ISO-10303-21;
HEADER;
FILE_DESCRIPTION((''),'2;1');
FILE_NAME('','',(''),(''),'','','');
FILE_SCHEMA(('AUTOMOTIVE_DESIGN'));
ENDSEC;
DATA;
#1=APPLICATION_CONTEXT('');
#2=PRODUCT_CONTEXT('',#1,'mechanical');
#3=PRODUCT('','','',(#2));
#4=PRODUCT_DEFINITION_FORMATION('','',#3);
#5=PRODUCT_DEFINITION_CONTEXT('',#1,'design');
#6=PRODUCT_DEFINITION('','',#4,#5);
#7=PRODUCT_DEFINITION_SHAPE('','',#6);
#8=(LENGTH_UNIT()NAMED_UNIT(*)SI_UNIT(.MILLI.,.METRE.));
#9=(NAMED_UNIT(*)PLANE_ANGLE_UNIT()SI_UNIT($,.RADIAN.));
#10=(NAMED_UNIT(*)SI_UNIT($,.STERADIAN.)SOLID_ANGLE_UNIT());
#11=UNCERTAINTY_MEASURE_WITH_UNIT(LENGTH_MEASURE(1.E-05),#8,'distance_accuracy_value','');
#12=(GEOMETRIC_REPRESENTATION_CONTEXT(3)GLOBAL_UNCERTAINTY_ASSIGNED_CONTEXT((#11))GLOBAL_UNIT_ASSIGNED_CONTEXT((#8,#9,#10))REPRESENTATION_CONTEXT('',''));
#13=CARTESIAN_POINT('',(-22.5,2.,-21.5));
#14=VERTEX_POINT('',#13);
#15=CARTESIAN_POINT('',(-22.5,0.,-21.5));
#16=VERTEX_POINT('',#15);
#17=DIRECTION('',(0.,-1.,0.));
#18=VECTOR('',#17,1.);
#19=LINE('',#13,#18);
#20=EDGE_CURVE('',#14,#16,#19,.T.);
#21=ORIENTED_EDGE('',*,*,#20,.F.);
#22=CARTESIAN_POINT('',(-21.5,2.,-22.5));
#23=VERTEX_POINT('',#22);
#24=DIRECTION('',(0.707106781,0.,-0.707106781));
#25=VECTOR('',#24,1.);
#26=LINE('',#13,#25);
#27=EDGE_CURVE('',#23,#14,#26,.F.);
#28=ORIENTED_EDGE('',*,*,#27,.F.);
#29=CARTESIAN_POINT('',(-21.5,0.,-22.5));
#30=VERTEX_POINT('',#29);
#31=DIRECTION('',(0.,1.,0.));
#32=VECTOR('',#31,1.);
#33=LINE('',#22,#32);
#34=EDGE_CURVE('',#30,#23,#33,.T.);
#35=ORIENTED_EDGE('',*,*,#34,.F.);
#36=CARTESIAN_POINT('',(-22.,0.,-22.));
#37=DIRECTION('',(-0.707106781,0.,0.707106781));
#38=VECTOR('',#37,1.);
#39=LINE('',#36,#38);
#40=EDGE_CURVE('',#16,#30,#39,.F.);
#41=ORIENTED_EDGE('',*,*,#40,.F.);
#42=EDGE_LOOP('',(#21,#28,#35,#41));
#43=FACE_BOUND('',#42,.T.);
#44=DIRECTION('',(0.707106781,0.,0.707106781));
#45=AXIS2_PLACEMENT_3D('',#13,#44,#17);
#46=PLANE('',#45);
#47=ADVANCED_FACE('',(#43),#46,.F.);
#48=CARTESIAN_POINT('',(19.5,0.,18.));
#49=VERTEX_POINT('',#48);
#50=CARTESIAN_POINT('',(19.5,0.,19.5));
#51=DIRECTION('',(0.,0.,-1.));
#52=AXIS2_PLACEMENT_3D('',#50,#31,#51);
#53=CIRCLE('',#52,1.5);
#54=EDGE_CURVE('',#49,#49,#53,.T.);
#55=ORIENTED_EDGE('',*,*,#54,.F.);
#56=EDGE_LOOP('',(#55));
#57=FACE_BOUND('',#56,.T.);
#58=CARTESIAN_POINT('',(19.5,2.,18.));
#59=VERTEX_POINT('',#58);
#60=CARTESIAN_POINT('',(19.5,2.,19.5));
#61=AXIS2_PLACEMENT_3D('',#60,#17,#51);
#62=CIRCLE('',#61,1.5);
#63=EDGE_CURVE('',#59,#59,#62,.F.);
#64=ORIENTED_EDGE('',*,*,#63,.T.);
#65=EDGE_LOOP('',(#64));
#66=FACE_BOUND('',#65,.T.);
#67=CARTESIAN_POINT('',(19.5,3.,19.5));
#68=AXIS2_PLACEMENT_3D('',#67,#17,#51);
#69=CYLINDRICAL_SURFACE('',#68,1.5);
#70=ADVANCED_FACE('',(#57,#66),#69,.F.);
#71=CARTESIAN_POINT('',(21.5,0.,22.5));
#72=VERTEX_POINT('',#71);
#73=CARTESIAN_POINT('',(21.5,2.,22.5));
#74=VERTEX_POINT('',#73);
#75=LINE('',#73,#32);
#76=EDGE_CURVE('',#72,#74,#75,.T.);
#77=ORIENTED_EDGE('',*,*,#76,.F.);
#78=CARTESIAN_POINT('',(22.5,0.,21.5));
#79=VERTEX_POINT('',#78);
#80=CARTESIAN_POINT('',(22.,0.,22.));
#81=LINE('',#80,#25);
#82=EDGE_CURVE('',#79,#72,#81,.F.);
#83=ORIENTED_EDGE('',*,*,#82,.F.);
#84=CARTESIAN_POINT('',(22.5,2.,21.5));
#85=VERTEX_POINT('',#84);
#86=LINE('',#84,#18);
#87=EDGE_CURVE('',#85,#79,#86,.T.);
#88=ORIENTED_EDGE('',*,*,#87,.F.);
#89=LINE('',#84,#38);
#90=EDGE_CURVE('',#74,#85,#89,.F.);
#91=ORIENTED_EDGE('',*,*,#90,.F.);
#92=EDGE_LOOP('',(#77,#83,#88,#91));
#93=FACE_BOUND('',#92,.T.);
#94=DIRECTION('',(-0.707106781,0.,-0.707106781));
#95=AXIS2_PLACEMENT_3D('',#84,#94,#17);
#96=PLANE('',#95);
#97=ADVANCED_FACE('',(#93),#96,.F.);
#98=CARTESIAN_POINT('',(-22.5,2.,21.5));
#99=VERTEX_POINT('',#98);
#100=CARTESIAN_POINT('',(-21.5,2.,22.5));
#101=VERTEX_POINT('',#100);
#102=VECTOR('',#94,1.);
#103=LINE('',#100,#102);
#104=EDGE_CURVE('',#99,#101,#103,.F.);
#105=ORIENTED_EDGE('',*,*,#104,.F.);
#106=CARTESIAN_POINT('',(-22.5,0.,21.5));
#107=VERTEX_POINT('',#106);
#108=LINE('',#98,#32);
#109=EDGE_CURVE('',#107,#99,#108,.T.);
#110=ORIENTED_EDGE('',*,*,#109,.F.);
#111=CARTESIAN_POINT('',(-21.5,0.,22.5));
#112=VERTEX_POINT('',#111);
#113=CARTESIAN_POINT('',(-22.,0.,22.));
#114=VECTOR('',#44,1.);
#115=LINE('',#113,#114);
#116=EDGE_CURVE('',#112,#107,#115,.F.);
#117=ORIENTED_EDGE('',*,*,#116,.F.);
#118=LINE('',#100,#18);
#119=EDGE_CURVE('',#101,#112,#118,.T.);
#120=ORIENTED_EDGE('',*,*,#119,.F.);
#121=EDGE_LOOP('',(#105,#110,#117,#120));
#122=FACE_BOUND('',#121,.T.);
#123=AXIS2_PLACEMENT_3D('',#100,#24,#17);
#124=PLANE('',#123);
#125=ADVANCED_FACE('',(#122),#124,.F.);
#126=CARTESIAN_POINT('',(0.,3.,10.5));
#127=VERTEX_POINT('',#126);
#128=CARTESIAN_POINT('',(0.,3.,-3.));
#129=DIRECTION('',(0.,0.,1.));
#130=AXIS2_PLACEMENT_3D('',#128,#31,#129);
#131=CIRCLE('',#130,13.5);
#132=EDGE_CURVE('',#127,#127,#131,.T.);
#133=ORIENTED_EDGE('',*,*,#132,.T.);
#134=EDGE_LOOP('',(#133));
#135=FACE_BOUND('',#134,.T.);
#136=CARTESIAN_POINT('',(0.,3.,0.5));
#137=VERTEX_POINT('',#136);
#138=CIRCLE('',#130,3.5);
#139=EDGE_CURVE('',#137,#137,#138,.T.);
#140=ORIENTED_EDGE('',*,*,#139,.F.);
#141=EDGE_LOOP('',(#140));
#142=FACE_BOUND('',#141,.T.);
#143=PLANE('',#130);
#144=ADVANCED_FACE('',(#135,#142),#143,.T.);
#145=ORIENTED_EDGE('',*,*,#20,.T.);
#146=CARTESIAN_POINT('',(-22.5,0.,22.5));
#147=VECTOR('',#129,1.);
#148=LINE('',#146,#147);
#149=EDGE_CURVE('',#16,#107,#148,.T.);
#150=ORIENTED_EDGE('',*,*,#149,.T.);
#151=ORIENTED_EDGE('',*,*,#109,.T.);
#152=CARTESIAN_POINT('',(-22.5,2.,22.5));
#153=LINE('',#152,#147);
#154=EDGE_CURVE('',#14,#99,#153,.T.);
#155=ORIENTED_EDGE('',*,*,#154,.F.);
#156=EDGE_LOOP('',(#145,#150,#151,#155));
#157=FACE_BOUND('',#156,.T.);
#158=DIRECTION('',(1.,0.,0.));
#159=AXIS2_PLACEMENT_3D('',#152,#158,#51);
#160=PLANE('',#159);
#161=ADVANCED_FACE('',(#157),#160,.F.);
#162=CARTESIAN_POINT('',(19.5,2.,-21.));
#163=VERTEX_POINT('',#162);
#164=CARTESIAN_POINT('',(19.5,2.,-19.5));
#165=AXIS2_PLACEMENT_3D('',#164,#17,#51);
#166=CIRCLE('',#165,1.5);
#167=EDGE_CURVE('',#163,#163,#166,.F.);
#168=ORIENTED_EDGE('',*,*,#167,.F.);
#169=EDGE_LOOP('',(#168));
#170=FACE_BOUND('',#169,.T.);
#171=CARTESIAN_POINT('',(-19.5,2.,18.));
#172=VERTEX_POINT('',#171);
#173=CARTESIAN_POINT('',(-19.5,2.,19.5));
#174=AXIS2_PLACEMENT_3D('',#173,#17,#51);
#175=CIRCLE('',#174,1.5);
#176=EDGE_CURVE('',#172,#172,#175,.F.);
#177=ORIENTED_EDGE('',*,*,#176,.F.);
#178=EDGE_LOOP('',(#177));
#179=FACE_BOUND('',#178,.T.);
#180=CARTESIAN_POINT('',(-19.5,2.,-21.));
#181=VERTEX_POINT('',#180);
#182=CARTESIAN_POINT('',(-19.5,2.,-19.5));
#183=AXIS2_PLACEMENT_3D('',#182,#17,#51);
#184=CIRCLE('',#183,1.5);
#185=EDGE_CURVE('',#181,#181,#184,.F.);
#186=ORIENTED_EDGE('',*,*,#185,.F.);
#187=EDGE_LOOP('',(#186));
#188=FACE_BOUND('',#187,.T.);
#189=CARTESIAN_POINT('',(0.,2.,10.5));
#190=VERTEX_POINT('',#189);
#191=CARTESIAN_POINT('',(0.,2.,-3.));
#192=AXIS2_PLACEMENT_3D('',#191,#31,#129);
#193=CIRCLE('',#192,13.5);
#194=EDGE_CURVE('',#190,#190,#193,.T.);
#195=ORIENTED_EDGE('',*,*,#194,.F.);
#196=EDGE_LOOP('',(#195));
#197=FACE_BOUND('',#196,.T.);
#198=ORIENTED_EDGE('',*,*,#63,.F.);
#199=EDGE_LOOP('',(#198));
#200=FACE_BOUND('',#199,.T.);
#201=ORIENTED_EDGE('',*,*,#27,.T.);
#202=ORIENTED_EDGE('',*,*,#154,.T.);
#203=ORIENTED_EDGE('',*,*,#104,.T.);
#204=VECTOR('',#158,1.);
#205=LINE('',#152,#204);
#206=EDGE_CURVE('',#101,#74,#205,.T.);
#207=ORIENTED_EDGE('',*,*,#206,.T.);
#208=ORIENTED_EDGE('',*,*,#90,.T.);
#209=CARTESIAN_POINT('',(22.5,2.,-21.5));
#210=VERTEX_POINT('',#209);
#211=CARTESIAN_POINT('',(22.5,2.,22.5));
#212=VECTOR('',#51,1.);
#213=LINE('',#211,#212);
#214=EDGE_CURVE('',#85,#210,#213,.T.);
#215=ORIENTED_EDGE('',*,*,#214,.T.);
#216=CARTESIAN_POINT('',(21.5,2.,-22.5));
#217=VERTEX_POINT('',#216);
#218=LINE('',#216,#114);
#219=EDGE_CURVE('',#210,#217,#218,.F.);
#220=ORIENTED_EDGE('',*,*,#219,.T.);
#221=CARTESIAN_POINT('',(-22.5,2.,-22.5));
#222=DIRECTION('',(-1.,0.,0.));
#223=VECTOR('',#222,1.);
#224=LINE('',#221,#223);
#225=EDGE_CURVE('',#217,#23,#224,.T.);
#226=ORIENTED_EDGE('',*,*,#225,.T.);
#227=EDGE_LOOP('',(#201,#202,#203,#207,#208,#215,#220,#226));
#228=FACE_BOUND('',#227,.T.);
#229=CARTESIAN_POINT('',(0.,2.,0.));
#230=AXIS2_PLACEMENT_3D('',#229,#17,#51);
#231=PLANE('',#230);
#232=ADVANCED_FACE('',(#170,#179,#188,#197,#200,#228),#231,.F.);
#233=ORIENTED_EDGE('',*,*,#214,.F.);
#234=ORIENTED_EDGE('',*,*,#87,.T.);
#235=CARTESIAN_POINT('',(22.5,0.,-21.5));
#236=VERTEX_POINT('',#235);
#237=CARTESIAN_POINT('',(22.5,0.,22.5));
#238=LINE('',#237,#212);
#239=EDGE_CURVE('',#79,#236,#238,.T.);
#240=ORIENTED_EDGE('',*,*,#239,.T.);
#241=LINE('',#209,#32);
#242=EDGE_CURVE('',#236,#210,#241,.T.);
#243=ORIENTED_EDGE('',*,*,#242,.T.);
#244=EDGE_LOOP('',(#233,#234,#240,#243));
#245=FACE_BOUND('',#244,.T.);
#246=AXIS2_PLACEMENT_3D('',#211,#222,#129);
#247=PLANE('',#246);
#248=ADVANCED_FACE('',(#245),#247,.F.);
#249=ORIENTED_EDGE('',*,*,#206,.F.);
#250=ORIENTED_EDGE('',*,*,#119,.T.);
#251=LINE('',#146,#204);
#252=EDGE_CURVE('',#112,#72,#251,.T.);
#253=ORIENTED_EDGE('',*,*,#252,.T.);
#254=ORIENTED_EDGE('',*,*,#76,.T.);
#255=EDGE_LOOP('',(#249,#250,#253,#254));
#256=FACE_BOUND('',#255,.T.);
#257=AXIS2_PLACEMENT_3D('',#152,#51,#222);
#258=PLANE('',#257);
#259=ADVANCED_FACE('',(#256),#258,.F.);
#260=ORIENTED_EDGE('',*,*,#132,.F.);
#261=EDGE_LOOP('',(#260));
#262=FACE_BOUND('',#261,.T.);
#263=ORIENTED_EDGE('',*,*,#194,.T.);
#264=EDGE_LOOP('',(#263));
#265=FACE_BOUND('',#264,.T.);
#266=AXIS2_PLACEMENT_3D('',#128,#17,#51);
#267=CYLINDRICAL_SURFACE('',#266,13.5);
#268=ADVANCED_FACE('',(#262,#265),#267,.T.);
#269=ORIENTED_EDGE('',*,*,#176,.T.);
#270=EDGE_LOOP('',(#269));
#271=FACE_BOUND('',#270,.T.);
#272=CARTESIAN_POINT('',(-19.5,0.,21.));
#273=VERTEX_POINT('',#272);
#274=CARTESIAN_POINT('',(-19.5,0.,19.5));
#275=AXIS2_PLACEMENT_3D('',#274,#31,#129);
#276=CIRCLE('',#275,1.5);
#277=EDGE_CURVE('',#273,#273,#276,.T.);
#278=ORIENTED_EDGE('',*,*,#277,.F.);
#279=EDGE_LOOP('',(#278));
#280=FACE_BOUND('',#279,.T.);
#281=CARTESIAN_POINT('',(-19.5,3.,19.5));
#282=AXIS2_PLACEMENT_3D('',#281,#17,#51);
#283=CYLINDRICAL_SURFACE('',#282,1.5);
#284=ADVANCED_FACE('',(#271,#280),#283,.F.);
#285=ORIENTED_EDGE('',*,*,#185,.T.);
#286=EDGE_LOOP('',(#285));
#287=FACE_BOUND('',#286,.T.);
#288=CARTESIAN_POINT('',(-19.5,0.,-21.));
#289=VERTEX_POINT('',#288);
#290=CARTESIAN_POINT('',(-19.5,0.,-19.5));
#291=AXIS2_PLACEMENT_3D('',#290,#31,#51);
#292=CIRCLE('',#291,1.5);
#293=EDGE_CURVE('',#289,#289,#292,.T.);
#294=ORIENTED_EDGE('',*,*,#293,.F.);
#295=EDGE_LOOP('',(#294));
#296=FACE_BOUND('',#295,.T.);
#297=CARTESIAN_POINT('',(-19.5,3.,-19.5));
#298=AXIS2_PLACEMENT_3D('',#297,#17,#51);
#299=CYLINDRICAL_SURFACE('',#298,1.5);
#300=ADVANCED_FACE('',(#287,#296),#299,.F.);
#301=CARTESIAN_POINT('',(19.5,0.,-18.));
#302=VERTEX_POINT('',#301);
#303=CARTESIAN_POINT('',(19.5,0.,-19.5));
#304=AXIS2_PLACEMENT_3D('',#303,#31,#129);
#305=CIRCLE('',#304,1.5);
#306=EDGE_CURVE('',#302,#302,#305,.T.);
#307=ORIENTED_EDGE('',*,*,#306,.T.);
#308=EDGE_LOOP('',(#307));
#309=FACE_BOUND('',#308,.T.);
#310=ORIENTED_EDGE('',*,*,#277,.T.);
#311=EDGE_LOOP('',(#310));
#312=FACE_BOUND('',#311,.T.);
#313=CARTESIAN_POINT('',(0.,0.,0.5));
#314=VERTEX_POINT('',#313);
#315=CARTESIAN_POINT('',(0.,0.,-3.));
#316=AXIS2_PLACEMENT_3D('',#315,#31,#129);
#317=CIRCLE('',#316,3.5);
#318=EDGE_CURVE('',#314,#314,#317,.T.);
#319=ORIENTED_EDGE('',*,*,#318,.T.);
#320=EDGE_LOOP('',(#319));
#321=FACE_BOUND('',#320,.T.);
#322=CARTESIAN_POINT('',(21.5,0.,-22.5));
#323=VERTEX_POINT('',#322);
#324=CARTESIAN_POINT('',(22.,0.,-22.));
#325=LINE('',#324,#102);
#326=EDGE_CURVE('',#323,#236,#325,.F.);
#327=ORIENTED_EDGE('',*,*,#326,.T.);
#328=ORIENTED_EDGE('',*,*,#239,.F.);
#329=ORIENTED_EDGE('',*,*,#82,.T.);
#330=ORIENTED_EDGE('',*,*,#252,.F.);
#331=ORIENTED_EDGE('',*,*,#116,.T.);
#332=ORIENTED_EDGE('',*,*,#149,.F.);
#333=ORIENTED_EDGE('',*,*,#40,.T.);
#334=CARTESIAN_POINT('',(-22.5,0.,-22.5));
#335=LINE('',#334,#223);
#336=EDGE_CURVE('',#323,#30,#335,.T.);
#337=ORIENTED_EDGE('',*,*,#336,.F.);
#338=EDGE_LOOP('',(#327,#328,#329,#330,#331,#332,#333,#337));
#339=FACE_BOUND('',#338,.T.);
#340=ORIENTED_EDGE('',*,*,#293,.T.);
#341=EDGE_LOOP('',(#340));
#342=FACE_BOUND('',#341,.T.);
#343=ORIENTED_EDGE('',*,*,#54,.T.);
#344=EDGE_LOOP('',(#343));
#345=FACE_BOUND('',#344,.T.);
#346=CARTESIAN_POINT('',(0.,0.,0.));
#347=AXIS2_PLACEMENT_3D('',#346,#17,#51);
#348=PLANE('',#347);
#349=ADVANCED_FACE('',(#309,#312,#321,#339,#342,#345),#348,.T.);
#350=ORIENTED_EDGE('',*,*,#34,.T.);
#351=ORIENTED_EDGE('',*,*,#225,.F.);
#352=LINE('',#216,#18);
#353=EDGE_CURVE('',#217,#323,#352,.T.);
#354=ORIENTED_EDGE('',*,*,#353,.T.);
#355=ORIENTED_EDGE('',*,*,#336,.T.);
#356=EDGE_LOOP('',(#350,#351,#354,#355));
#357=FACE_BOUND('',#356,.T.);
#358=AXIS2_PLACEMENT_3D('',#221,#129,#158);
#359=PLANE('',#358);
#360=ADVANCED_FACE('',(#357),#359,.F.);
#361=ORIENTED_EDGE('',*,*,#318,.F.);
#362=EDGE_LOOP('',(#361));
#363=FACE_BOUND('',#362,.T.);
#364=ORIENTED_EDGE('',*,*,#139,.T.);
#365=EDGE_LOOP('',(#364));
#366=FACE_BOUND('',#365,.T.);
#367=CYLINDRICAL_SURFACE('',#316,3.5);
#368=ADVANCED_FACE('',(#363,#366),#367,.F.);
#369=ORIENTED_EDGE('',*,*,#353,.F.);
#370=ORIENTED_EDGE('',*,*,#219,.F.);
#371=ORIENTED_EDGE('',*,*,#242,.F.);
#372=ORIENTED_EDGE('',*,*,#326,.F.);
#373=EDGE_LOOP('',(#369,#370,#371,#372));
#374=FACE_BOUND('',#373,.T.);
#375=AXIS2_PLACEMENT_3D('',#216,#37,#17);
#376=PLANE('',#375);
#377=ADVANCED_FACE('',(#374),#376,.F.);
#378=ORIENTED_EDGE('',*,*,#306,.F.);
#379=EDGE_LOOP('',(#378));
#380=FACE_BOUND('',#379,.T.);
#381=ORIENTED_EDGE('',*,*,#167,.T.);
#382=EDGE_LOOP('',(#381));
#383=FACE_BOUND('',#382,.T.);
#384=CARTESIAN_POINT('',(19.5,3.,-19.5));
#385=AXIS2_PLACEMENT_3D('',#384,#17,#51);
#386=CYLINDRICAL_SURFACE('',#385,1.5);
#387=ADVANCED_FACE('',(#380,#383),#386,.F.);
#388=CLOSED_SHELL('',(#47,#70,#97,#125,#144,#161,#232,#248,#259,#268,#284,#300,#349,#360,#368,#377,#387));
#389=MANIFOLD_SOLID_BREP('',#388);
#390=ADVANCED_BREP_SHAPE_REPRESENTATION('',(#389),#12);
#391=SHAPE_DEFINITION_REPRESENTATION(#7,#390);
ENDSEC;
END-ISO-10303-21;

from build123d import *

# Parameters (mm, degrees)
SKETCH_1_W          = 45
SKETCH_1_H          = 45
EXTRUDE_1_DEPTH     = 2
SKETCH_2_R          = 3.5
CUT_EXTRUDE_1_DEPTH = 32.882597134
EXTRUDE_START       = 1
SKETCH_3_R          = 13.5
SKETCH_3_R_2        = 3.5
EXTRUDE_2_DEPTH     = 1
SKETCH_4_R          = 1.5
CUT_EXTRUDE_4_DEPTH = 32.960913629
CHAMFER_1_SIZE      = 1


with BuildPart() as part:
    # 草图1 → 凸台-拉伸1 (new body)
    with BuildSketch(Plane(origin=(0, 0, 0), x_dir=(1, 0, 0), z_dir=(0, 1, 0))):
        Rectangle(SKETCH_1_W, SKETCH_1_H)
    extrude(amount=EXTRUDE_1_DEPTH)

    # 草图2 → 切除-拉伸1 (cut, through all)
    with BuildSketch(Plane(origin=(0, 2, 0), x_dir=(1, 0, 0), z_dir=(0, 1, 0))):
        with Locations(Location((0, 3, 0), (0, 0, 270))):
            Circle(SKETCH_2_R)
    extrude(amount=-CUT_EXTRUDE_1_DEPTH, mode=Mode.SUBTRACT)

    # 草图3 → 凸台-拉伸2 (add)
    with BuildSketch(Plane(origin=(0, 2, 0), x_dir=(1, 0, 0), z_dir=(0, 1, 0)).offset(EXTRUDE_START)):
        with Locations(Location((0, 3, 0), (0, 0, 270))):
            Circle(SKETCH_3_R)
        with Locations(Location((0, 3, 0), (0, 0, 270))):
            Circle(SKETCH_3_R_2, mode=Mode.SUBTRACT)
    extrude(amount=-EXTRUDE_2_DEPTH)

    # 草图4 → 切除-拉伸4 (cut, through all)
    with BuildSketch(Plane(origin=(0, 0, 0), x_dir=(1, 0, 0), z_dir=(0, 1, 0))):
        with Locations(Location((19.5, 19.5, 0), (0, 0, 90))):
            Circle(SKETCH_4_R)
        with Locations(Location((-19.5, 19.5, 0), (0, 0, 90))):
            Circle(SKETCH_4_R)
        with Locations(Location((-19.5, -19.5, 0), (0, 0, 90))):
            Circle(SKETCH_4_R)
        with Locations(Location((19.5, -19.5, 0), (0, 0, 90))):
            Circle(SKETCH_4_R)
    extrude(amount=CUT_EXTRUDE_4_DEPTH, mode=Mode.SUBTRACT)

    # 倒角1
    chamfer_1_edges = [part.edges().sort_by_distance(p)[0] for p in [
        (22.5, 1, 22.5),
        (-22.5, 1, 22.5),
        (-22.5, 1, -22.5),
        (22.5, 1, -22.5),
    ]]
    chamfer(chamfer_1_edges, length=CHAMFER_1_SIZE)


solid = part.part
